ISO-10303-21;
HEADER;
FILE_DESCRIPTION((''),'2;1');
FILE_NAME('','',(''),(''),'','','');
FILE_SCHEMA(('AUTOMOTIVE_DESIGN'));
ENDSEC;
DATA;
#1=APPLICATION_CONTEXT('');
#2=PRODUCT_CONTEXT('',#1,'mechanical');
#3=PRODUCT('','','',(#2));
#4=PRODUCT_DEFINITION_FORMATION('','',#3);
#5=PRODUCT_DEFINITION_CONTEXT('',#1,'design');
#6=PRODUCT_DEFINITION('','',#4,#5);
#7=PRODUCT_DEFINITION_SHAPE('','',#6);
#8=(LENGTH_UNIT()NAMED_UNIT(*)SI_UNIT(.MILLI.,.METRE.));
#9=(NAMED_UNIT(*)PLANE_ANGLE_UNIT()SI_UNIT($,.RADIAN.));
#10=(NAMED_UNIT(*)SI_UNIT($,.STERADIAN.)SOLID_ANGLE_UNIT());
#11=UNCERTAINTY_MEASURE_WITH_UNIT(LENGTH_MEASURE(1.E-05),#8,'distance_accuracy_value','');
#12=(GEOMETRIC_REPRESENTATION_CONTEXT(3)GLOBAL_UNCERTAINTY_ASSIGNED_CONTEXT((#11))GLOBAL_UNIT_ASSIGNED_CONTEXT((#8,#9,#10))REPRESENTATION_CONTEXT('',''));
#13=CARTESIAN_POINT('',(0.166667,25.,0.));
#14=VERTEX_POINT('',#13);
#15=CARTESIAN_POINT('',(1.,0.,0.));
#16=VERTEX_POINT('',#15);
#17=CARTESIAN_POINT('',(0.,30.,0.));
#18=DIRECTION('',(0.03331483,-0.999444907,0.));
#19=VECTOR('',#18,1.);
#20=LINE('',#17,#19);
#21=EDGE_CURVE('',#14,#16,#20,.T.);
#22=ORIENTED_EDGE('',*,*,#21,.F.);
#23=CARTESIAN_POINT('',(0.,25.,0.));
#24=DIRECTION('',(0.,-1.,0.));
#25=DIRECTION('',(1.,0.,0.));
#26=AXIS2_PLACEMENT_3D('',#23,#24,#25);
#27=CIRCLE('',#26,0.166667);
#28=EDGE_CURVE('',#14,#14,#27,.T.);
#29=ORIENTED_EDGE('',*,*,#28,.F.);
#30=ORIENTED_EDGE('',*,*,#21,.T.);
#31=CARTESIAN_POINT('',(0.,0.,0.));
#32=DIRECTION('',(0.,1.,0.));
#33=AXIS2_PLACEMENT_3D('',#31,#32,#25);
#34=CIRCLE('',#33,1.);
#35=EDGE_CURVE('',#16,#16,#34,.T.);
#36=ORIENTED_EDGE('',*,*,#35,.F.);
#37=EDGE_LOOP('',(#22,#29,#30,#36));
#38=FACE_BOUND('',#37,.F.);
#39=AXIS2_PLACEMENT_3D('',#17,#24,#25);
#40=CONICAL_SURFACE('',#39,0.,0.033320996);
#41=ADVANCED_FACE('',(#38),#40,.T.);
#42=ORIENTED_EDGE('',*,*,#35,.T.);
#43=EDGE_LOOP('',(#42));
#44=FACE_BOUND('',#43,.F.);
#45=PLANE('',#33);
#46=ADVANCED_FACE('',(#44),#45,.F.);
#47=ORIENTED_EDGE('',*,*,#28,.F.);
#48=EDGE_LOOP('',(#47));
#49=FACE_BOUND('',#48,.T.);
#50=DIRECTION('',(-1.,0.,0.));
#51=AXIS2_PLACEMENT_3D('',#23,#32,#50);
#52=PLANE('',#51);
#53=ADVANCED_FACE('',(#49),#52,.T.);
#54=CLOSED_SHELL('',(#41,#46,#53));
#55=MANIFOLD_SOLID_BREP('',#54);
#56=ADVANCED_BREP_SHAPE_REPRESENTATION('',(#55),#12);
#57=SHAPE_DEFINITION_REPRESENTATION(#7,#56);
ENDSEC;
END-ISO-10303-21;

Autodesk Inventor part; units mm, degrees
ref_plane "YZ Plane" through (0, 0, 0) normal (1, 0, 0) x (0, 1, 0)
ref_plane "XY Plane" through (0, 0, 0) normal (0, 0, 1) x (1, 0, 0)
sketch "Sketch3" plane through (0, 0, 0) normal (0, 0, 1) x (1, 0, 0)
  line L0 (0, 0) -> (0, 30)
  line L1 (0, 30) -> (1, 0)
  line L2 (1, 0) -> (0, 0)
  dimension "d3" = 30
  dimension "d4" = 1
revolve "Revolution1" add sketch "Sketch3" angle 360 about axis through (0, 0, 0) along (0, 1, 0)
ref_plane "Work Plane1" through (0, 30, 0) normal (0, 1, 0) x (-1, 0, 0)
sketch "Sketch5" plane through (0, 30, 0) normal (0, 1, 0) x (-1, 0, 0)
  circle A0 centre (0, 0) radius 1 projected
  circle A1 centre (0, 0) radius 2.811
extrude "Extrusion3" cut sketch "Sketch5" against normal blind 5 contours A0 | A1
properties part number "LaserBeamEntry2_LOOP1DEF1"
